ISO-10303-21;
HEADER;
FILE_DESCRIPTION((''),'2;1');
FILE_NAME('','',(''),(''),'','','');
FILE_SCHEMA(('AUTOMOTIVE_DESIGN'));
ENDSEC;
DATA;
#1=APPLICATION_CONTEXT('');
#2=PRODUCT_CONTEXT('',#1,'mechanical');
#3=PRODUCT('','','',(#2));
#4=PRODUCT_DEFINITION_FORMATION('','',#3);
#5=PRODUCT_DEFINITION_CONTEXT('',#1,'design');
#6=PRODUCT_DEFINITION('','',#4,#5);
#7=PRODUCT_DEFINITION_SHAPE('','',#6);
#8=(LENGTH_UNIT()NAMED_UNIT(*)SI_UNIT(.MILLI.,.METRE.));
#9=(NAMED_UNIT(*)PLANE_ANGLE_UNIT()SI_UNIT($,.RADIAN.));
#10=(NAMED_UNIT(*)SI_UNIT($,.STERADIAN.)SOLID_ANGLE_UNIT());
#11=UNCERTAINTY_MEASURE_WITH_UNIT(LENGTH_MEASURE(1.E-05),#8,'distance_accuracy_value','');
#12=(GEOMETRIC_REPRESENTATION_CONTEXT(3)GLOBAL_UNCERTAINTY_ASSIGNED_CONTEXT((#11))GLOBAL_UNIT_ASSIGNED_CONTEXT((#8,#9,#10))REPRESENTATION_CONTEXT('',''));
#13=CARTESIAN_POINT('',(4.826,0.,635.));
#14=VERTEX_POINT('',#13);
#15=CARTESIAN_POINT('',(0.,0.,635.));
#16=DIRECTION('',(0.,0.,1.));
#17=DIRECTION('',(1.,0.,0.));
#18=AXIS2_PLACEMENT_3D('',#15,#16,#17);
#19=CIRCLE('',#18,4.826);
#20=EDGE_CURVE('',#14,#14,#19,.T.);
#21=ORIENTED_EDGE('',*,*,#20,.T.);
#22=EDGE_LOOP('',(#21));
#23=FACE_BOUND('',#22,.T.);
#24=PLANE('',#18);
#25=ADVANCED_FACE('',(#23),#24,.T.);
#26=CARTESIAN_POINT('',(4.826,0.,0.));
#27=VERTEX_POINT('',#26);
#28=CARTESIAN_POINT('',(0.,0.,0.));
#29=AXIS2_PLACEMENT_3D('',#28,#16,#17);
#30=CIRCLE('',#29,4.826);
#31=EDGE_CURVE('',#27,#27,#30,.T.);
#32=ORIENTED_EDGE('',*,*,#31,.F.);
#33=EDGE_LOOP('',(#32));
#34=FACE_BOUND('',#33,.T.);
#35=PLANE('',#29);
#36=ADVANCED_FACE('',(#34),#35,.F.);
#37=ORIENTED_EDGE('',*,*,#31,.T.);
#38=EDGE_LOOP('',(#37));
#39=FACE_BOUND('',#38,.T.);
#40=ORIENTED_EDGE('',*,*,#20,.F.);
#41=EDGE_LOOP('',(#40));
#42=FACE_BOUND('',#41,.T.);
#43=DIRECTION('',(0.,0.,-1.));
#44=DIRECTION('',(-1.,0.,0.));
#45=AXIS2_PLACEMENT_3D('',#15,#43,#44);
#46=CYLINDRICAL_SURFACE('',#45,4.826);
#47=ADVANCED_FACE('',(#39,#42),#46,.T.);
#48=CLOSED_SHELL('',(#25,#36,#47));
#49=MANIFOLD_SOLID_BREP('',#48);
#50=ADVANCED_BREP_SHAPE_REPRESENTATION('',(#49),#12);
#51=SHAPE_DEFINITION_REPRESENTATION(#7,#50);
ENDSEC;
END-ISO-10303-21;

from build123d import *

# Parameters (mm, degrees)
SKETCH1_R           = 4.826
BOSS_EXTRUDE1_DEPTH = 635


with BuildPart() as part:
    # Sketch1 → Boss-Extrude1 (new body)
    with BuildSketch(Plane.XY):
        Circle(SKETCH1_R)
    extrude(amount=BOSS_EXTRUDE1_DEPTH)


solid = part.part
